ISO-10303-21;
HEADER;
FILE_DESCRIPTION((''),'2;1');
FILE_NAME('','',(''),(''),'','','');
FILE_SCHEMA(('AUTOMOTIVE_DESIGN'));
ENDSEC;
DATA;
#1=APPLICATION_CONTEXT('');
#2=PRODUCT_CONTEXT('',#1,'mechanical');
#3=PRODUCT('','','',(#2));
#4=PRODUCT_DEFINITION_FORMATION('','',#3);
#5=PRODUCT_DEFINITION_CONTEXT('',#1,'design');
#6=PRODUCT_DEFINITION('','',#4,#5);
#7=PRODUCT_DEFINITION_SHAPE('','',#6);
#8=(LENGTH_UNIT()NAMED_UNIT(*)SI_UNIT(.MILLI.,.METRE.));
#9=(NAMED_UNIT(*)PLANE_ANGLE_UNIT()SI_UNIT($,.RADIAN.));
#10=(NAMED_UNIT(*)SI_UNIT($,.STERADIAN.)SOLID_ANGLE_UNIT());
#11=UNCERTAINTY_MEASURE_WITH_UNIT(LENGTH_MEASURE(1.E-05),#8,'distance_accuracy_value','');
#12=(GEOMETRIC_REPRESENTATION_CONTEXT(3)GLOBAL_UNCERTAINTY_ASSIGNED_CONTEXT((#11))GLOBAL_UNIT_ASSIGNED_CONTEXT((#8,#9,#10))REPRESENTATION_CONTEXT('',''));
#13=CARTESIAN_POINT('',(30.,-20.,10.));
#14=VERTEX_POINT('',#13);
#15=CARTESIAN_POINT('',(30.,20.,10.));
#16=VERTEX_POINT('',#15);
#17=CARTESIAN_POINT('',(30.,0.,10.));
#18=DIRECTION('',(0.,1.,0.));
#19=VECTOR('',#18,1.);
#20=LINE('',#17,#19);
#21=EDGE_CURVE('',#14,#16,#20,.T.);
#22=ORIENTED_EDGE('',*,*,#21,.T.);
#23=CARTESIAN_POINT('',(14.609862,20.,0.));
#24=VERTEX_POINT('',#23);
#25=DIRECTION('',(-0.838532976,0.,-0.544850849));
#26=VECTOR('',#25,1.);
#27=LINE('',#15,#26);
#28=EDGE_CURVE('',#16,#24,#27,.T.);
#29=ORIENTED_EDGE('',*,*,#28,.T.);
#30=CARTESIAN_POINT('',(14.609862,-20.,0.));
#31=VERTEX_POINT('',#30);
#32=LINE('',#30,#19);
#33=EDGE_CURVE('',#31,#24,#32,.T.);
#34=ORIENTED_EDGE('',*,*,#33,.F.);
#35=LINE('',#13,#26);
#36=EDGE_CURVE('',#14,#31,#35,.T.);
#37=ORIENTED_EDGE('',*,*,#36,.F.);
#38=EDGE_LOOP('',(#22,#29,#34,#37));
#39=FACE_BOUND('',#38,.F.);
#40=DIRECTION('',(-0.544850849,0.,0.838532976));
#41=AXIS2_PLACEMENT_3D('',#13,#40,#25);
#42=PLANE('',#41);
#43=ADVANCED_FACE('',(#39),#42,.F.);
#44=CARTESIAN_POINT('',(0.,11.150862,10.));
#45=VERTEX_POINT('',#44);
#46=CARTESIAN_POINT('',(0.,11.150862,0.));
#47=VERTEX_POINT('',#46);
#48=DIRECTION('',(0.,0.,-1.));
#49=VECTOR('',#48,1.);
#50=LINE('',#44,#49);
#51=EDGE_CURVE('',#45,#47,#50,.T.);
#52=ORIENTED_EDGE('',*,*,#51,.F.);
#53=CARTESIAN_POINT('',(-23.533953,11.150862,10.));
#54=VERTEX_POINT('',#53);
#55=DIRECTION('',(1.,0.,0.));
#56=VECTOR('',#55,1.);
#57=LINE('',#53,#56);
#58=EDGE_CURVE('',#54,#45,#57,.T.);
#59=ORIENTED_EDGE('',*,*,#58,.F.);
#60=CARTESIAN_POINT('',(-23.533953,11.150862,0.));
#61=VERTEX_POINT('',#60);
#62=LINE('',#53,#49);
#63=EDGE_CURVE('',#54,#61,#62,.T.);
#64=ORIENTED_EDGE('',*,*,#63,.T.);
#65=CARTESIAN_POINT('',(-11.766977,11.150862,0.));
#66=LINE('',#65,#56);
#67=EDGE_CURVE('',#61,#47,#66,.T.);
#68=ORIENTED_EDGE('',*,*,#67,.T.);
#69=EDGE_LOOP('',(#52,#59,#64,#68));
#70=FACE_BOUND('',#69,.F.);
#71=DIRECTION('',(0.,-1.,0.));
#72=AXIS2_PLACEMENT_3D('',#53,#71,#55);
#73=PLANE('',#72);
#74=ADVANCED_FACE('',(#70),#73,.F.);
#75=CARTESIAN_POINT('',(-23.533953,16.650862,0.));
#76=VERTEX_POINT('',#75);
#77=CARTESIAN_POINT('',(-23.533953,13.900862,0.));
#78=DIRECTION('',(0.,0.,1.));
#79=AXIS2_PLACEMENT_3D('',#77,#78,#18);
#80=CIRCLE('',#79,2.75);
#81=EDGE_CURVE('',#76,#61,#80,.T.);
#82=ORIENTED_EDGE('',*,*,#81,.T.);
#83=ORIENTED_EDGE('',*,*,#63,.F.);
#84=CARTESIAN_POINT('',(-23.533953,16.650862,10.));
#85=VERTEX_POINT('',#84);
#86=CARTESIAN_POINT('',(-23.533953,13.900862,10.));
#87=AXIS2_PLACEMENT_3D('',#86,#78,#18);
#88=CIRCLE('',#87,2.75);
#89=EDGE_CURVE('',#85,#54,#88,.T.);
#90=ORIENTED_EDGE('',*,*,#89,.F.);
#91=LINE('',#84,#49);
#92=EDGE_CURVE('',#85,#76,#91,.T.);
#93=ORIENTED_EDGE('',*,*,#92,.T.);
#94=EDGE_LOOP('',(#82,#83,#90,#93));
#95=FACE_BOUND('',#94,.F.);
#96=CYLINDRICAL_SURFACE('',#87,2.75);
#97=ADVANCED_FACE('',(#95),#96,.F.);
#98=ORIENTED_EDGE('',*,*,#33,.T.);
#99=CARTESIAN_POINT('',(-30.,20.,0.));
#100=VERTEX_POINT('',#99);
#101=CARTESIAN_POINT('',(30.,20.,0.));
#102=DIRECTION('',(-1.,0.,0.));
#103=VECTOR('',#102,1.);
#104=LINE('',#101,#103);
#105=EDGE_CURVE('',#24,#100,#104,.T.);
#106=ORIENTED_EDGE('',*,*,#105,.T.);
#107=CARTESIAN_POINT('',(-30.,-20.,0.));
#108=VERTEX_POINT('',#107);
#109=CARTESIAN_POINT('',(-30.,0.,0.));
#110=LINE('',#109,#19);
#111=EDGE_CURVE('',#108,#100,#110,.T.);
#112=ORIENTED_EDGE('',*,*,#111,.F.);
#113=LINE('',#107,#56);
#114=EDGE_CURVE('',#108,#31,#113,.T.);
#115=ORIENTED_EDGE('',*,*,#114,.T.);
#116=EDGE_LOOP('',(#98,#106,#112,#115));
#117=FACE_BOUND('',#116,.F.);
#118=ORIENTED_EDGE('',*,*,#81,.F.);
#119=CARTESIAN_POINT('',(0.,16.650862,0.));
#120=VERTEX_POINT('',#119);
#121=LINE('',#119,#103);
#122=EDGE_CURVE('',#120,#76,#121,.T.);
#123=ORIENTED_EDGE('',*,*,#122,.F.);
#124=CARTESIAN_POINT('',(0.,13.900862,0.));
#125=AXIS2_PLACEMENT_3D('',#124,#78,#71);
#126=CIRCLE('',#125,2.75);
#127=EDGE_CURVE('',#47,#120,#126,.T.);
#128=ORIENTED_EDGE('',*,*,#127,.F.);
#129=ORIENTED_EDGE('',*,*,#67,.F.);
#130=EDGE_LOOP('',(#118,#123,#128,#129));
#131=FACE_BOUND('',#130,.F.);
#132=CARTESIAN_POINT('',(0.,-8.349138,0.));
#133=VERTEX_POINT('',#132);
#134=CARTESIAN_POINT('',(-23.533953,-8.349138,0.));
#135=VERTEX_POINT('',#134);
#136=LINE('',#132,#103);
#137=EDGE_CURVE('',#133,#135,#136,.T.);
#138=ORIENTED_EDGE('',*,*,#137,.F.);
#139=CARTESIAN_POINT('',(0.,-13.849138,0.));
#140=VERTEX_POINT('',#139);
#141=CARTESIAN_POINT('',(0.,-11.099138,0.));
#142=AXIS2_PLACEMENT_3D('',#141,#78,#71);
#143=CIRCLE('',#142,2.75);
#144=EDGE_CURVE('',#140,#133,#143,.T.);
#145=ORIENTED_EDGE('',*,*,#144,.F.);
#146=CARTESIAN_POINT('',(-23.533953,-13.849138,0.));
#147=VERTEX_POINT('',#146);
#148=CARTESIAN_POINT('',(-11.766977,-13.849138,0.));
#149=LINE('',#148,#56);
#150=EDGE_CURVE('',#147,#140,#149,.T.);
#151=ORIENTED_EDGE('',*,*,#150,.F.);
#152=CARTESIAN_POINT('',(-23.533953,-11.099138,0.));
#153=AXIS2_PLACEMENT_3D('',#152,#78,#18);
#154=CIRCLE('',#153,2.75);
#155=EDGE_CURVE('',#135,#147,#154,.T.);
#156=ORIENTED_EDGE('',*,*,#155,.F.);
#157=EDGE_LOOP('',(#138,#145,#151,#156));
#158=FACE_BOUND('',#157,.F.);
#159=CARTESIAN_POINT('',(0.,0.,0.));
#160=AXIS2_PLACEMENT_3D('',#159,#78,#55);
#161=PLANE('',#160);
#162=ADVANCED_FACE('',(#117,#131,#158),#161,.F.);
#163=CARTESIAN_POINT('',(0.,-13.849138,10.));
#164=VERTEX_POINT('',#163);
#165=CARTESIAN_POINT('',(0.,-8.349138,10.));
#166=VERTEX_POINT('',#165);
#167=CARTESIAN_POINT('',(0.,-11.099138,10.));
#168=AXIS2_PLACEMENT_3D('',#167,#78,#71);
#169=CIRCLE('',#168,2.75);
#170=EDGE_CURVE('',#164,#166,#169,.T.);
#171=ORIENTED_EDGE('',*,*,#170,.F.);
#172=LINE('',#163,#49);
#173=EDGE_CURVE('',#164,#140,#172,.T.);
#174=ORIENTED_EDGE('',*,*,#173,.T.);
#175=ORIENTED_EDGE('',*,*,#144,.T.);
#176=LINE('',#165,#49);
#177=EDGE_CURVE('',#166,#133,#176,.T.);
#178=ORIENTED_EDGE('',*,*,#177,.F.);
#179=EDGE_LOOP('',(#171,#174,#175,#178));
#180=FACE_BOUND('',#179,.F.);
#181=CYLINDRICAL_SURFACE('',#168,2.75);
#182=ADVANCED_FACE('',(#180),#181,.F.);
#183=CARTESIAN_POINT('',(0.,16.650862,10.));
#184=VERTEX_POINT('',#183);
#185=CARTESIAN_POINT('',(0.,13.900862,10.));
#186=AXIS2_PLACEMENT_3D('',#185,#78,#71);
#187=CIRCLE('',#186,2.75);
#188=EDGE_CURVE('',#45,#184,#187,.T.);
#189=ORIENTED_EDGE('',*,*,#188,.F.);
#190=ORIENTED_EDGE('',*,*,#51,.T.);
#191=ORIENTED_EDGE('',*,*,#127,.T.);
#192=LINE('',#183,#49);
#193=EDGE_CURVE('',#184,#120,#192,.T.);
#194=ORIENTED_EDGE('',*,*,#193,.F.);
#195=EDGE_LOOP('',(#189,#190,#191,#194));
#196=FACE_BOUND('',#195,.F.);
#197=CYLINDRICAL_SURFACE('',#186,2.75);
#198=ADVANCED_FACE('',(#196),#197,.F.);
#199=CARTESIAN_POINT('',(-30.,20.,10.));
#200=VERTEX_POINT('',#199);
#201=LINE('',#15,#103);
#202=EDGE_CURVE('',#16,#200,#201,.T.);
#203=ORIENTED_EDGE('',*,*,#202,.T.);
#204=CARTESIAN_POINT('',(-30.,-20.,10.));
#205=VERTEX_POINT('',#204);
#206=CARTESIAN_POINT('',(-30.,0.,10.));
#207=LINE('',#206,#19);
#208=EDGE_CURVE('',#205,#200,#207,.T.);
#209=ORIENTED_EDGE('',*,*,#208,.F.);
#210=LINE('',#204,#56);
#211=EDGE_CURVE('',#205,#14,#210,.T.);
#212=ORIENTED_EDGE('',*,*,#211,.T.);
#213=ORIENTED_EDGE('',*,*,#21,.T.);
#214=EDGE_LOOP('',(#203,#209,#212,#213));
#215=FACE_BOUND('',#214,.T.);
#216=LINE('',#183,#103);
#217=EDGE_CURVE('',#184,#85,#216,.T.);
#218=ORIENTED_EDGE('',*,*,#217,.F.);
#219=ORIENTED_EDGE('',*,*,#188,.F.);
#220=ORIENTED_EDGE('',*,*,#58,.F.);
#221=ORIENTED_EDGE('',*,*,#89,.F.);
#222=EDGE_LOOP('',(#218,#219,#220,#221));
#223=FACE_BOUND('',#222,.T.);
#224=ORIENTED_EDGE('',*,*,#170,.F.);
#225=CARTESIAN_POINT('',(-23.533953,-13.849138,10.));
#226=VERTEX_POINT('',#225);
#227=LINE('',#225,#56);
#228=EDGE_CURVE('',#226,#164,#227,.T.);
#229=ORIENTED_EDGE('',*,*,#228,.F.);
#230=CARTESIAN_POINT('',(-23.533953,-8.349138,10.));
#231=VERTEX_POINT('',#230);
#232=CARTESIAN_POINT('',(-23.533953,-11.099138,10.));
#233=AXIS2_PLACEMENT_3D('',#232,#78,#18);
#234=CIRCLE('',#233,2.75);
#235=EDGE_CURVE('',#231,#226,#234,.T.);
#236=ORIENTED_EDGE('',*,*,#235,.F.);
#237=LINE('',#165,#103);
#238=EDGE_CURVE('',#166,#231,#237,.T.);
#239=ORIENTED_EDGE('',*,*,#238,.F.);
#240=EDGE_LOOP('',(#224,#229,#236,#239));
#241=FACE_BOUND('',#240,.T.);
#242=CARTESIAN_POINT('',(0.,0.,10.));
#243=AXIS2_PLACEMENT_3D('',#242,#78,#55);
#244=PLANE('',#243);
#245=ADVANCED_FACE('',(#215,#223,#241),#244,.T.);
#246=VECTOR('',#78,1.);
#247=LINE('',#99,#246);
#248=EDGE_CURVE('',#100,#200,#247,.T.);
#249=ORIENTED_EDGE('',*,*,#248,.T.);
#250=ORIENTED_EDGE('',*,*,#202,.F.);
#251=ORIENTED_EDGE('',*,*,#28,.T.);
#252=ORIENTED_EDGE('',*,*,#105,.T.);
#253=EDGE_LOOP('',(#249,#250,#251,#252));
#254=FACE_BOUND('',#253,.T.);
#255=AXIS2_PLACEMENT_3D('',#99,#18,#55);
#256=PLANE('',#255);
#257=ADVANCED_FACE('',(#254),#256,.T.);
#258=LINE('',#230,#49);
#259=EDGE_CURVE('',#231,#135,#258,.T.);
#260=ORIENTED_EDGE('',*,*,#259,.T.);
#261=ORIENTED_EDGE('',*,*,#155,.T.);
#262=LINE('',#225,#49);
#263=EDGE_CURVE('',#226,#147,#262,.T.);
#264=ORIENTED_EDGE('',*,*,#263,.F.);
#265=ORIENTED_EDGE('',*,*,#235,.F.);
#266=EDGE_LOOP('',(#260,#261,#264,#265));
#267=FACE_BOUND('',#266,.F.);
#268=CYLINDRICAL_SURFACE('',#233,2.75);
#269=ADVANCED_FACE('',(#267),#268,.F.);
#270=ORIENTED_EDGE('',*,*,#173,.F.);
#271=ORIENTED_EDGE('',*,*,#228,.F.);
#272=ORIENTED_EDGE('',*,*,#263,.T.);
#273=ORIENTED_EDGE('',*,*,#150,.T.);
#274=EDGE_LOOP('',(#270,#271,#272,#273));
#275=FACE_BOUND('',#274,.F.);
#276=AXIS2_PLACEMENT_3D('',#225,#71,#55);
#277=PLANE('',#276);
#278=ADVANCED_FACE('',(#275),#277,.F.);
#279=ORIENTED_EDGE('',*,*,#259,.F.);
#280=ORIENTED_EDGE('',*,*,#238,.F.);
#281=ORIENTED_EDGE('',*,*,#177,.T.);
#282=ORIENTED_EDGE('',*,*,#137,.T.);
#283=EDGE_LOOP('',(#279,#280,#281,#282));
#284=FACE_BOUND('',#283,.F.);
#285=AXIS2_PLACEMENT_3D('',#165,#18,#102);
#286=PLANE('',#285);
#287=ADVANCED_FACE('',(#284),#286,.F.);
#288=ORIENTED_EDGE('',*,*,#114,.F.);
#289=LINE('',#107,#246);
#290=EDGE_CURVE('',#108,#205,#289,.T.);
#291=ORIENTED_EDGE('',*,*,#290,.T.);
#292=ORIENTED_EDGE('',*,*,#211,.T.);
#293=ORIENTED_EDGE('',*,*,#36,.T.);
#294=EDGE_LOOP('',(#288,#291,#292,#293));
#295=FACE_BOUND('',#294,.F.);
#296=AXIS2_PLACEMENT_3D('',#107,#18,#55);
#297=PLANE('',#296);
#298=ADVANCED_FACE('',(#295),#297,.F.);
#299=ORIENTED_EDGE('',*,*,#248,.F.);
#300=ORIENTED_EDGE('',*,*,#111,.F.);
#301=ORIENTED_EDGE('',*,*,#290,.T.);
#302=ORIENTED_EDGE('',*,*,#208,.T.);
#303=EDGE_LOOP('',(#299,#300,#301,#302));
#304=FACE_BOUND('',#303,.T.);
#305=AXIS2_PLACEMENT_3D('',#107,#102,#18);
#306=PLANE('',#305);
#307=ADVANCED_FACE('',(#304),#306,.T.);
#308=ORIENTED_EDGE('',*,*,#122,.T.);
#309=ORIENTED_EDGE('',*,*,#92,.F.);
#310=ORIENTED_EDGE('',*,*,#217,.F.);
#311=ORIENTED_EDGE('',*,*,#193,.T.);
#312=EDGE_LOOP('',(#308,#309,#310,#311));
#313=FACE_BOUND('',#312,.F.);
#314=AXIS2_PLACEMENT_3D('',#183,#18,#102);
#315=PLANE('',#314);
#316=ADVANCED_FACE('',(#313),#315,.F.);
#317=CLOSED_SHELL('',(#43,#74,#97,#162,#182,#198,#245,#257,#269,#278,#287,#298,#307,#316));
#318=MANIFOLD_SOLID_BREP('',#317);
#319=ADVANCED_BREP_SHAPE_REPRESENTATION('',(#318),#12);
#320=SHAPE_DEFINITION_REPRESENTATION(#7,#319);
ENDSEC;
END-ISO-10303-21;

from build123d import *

# Parameters (mm, degrees)
F0_W     = 60
F0_H     = 40
F1_DEPTH = 10
F4_DEPTH = 40
F5_DEPTH = 25
F7_DEPTH = 40


with BuildPart() as f1:
    # F0 (on Top) → F1 (new body)
    with BuildSketch(Plane.XY):
        Rectangle(F0_W, F0_H)
    extrude(amount=F1_DEPTH)

    # F3 (on face) → F4 (join)
    with BuildSketch(Plane.XZ.offset(20)):
        Polygon((0, 0), (14.609862, 10), (-30, 10), (-30, 0), align=None)
    extrude(amount=-F4_DEPTH)

    # F2 (on face) → F5 (cut)
    with BuildSketch(Plane.XY.offset(10)):
        with BuildLine():
            ThreePointArc((0, 11.150862), (2.75, 13.900862), (0, 16.650862))
            Line((0, 16.650862), (-23.533953, 16.650862))
            ThreePointArc((-23.533953, 16.650862), (-26.283953, 13.900862), (-23.533953, 11.150862))
            Line((-23.533953, 11.150862), (0, 11.150862))
        make_face()
        with BuildLine():
            ThreePointArc((0, -13.849138), (2.75, -11.099138), (0, -8.349138))
            Line((0, -8.349138), (-23.533953, -8.349138))
            ThreePointArc((-23.533953, -8.349138), (-26.283953, -11.099138), (-23.533953, -13.849138))
            Line((-23.533953, -13.849138), (0, -13.849138))
        make_face()
    extrude(amount=-F5_DEPTH, mode=Mode.SUBTRACT)

    # F6 (on face) → F7 (cut)
    with BuildSketch(Plane.XZ.offset(20)):
        Polygon((30, 0), (30, 10), (14.609862, 0), align=None)
    extrude(amount=-F7_DEPTH, mode=Mode.SUBTRACT)


solid = f1.part
